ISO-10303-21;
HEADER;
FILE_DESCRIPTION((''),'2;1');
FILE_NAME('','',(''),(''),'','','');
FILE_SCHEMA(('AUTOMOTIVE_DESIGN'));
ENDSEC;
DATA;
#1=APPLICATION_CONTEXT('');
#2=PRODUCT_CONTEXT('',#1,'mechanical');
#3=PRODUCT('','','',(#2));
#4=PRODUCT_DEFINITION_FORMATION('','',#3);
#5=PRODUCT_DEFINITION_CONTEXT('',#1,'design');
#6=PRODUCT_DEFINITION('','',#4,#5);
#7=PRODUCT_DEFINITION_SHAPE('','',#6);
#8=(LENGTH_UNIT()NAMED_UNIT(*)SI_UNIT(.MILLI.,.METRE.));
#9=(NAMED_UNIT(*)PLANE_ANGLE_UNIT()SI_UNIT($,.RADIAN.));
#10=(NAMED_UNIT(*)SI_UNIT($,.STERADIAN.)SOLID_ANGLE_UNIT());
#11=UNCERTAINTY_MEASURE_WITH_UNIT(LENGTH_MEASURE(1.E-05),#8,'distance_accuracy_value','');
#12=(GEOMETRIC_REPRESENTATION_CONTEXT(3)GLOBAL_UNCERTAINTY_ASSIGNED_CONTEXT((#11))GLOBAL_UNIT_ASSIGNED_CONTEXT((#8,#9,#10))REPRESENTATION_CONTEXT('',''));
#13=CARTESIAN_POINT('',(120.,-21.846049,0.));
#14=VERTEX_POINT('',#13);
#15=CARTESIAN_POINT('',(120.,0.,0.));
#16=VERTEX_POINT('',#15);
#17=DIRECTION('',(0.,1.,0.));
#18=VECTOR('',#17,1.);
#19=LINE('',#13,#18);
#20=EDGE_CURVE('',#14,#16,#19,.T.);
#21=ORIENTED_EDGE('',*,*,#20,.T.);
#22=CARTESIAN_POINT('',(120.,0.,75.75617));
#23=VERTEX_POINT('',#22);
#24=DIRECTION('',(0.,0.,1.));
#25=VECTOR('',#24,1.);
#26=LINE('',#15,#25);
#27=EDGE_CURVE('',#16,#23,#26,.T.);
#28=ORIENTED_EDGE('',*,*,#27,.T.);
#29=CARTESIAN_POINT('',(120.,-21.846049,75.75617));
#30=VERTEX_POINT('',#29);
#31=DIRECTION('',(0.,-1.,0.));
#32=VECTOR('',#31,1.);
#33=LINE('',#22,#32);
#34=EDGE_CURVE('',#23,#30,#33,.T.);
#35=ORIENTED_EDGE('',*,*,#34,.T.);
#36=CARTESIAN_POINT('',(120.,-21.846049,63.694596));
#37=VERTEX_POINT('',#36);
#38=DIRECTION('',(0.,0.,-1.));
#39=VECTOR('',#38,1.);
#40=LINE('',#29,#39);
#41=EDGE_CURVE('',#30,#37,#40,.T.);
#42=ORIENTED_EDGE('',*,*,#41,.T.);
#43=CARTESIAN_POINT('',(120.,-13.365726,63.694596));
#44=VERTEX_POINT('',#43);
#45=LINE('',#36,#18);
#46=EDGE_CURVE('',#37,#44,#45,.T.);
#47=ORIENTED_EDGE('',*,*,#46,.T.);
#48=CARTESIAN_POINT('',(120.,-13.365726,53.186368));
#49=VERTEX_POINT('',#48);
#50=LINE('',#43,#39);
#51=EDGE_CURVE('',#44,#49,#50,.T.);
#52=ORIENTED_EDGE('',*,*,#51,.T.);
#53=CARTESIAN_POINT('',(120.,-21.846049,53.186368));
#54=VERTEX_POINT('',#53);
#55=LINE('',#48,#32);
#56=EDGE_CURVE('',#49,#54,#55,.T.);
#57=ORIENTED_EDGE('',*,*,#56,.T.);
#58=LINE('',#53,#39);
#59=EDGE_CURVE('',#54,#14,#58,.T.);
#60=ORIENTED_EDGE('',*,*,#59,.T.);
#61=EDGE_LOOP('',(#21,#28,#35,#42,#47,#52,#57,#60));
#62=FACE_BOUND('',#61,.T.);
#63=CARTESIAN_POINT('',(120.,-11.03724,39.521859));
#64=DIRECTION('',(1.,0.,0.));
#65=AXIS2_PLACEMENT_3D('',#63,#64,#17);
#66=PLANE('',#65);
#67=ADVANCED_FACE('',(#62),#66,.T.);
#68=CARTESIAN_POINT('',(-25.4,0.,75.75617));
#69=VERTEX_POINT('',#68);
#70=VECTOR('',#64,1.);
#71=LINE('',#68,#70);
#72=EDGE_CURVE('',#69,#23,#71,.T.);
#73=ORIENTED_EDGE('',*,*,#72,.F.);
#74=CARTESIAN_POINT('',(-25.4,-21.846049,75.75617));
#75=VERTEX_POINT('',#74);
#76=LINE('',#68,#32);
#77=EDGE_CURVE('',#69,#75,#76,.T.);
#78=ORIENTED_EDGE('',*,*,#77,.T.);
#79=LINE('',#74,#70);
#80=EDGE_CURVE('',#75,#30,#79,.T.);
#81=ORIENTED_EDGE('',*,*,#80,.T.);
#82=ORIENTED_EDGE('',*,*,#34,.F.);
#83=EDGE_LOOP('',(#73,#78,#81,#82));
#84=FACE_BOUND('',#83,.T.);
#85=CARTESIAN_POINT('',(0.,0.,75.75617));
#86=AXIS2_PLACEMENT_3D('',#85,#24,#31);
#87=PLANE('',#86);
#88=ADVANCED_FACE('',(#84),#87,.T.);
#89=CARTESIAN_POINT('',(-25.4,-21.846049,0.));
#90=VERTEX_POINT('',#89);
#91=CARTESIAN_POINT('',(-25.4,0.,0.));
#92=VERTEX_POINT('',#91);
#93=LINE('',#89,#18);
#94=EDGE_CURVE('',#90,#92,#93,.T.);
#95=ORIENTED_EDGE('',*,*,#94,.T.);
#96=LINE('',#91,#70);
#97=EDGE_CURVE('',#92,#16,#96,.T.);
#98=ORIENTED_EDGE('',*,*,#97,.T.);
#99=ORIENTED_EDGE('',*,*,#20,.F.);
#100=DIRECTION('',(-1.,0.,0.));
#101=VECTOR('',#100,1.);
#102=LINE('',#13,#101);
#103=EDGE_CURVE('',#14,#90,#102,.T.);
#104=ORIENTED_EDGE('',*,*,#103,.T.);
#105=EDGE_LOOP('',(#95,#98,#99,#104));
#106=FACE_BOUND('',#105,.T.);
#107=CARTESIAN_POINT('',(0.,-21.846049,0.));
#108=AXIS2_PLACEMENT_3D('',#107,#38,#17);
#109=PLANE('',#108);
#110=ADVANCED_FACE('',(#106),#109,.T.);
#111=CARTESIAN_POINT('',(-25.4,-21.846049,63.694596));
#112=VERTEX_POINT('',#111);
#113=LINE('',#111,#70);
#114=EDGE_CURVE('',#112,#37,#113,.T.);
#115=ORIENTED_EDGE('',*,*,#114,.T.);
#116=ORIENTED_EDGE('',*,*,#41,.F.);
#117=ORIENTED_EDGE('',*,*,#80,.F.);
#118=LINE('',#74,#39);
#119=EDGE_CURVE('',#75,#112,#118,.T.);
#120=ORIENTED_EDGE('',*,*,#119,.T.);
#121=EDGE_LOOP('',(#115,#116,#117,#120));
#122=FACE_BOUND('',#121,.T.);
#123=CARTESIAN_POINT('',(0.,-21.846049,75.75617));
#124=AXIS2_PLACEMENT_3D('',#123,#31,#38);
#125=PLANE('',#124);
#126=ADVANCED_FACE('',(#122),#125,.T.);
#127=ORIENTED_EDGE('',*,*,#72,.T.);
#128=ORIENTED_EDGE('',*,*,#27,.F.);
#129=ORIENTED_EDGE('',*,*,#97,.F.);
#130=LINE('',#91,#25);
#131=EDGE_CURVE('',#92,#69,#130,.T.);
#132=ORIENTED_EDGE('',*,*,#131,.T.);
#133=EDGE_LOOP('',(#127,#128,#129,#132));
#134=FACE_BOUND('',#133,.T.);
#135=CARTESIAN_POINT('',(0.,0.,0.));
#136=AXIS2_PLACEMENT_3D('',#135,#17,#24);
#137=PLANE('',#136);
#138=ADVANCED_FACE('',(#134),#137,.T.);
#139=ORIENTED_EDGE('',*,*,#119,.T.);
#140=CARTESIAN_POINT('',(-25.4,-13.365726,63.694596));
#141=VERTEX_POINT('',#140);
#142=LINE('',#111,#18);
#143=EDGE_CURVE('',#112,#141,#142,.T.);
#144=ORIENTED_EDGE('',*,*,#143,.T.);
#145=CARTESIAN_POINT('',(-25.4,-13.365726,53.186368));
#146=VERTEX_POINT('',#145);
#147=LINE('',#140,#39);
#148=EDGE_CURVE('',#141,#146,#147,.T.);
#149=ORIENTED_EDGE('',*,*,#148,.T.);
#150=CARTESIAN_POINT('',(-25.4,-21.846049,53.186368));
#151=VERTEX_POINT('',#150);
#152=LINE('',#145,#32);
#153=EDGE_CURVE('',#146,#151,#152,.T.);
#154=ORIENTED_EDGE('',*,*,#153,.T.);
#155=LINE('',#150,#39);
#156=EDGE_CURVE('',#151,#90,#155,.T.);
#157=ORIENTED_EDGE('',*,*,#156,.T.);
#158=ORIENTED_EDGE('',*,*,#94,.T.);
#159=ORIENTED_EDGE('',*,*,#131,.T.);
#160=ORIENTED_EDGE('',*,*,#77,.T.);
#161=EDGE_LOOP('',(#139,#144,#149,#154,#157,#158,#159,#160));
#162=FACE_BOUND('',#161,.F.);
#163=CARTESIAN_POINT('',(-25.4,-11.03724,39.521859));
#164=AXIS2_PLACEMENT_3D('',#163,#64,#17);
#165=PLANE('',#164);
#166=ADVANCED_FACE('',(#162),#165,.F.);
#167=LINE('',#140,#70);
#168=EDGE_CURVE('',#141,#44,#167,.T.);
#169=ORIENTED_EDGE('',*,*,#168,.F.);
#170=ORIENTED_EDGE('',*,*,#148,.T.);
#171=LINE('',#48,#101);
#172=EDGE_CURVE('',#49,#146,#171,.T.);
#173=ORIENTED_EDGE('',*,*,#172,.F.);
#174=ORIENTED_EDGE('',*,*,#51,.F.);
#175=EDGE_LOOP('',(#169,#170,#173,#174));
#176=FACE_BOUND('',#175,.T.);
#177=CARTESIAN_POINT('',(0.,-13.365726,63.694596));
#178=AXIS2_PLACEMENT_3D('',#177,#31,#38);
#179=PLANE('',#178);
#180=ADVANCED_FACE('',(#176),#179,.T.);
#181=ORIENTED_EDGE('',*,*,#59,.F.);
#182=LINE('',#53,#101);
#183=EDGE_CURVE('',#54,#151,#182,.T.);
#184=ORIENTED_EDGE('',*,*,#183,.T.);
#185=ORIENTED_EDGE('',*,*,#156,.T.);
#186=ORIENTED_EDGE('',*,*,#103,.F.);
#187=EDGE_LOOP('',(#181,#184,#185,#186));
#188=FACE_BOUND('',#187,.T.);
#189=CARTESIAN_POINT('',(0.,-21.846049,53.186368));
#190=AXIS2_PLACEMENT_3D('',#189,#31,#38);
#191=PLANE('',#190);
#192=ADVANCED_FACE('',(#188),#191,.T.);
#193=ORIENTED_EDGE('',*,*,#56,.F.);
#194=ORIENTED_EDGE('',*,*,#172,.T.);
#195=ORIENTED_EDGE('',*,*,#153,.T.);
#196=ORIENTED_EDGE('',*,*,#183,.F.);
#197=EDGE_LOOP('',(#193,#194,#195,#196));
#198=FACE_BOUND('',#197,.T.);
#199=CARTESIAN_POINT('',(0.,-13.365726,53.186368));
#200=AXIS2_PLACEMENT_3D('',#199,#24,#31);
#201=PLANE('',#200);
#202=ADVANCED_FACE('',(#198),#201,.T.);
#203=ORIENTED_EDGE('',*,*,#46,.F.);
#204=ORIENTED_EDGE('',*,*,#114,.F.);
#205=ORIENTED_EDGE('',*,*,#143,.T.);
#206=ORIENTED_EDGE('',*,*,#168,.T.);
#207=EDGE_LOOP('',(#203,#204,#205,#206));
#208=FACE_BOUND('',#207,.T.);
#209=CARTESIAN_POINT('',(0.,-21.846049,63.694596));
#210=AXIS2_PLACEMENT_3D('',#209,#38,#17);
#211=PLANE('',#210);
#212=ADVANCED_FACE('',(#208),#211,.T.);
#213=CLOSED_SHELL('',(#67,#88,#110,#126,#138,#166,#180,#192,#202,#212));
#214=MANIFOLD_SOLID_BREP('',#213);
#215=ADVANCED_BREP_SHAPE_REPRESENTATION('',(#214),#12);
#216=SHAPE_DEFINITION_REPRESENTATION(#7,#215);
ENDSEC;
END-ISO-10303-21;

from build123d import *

# Parameters (mm, degrees)
F1_DEPTH      = 120
F1_DEPTH_BACK = 25.4


with BuildPart() as f1:
    # F0 (on Right) → F1 (new body, two sides)
    with BuildSketch(Plane.YZ) as f1_sk:
        Polygon((-21.846049, 0), (0, 0), (0, 75.75617), (-21.846049, 75.75617), (-21.846049, 63.694596), (-13.365726, 63.694596), (-13.365726, 53.186368), (-21.846049, 53.186368), align=None)
    extrude(amount=F1_DEPTH)
    extrude(f1_sk.sketch, amount=-F1_DEPTH_BACK)


solid = f1.part
